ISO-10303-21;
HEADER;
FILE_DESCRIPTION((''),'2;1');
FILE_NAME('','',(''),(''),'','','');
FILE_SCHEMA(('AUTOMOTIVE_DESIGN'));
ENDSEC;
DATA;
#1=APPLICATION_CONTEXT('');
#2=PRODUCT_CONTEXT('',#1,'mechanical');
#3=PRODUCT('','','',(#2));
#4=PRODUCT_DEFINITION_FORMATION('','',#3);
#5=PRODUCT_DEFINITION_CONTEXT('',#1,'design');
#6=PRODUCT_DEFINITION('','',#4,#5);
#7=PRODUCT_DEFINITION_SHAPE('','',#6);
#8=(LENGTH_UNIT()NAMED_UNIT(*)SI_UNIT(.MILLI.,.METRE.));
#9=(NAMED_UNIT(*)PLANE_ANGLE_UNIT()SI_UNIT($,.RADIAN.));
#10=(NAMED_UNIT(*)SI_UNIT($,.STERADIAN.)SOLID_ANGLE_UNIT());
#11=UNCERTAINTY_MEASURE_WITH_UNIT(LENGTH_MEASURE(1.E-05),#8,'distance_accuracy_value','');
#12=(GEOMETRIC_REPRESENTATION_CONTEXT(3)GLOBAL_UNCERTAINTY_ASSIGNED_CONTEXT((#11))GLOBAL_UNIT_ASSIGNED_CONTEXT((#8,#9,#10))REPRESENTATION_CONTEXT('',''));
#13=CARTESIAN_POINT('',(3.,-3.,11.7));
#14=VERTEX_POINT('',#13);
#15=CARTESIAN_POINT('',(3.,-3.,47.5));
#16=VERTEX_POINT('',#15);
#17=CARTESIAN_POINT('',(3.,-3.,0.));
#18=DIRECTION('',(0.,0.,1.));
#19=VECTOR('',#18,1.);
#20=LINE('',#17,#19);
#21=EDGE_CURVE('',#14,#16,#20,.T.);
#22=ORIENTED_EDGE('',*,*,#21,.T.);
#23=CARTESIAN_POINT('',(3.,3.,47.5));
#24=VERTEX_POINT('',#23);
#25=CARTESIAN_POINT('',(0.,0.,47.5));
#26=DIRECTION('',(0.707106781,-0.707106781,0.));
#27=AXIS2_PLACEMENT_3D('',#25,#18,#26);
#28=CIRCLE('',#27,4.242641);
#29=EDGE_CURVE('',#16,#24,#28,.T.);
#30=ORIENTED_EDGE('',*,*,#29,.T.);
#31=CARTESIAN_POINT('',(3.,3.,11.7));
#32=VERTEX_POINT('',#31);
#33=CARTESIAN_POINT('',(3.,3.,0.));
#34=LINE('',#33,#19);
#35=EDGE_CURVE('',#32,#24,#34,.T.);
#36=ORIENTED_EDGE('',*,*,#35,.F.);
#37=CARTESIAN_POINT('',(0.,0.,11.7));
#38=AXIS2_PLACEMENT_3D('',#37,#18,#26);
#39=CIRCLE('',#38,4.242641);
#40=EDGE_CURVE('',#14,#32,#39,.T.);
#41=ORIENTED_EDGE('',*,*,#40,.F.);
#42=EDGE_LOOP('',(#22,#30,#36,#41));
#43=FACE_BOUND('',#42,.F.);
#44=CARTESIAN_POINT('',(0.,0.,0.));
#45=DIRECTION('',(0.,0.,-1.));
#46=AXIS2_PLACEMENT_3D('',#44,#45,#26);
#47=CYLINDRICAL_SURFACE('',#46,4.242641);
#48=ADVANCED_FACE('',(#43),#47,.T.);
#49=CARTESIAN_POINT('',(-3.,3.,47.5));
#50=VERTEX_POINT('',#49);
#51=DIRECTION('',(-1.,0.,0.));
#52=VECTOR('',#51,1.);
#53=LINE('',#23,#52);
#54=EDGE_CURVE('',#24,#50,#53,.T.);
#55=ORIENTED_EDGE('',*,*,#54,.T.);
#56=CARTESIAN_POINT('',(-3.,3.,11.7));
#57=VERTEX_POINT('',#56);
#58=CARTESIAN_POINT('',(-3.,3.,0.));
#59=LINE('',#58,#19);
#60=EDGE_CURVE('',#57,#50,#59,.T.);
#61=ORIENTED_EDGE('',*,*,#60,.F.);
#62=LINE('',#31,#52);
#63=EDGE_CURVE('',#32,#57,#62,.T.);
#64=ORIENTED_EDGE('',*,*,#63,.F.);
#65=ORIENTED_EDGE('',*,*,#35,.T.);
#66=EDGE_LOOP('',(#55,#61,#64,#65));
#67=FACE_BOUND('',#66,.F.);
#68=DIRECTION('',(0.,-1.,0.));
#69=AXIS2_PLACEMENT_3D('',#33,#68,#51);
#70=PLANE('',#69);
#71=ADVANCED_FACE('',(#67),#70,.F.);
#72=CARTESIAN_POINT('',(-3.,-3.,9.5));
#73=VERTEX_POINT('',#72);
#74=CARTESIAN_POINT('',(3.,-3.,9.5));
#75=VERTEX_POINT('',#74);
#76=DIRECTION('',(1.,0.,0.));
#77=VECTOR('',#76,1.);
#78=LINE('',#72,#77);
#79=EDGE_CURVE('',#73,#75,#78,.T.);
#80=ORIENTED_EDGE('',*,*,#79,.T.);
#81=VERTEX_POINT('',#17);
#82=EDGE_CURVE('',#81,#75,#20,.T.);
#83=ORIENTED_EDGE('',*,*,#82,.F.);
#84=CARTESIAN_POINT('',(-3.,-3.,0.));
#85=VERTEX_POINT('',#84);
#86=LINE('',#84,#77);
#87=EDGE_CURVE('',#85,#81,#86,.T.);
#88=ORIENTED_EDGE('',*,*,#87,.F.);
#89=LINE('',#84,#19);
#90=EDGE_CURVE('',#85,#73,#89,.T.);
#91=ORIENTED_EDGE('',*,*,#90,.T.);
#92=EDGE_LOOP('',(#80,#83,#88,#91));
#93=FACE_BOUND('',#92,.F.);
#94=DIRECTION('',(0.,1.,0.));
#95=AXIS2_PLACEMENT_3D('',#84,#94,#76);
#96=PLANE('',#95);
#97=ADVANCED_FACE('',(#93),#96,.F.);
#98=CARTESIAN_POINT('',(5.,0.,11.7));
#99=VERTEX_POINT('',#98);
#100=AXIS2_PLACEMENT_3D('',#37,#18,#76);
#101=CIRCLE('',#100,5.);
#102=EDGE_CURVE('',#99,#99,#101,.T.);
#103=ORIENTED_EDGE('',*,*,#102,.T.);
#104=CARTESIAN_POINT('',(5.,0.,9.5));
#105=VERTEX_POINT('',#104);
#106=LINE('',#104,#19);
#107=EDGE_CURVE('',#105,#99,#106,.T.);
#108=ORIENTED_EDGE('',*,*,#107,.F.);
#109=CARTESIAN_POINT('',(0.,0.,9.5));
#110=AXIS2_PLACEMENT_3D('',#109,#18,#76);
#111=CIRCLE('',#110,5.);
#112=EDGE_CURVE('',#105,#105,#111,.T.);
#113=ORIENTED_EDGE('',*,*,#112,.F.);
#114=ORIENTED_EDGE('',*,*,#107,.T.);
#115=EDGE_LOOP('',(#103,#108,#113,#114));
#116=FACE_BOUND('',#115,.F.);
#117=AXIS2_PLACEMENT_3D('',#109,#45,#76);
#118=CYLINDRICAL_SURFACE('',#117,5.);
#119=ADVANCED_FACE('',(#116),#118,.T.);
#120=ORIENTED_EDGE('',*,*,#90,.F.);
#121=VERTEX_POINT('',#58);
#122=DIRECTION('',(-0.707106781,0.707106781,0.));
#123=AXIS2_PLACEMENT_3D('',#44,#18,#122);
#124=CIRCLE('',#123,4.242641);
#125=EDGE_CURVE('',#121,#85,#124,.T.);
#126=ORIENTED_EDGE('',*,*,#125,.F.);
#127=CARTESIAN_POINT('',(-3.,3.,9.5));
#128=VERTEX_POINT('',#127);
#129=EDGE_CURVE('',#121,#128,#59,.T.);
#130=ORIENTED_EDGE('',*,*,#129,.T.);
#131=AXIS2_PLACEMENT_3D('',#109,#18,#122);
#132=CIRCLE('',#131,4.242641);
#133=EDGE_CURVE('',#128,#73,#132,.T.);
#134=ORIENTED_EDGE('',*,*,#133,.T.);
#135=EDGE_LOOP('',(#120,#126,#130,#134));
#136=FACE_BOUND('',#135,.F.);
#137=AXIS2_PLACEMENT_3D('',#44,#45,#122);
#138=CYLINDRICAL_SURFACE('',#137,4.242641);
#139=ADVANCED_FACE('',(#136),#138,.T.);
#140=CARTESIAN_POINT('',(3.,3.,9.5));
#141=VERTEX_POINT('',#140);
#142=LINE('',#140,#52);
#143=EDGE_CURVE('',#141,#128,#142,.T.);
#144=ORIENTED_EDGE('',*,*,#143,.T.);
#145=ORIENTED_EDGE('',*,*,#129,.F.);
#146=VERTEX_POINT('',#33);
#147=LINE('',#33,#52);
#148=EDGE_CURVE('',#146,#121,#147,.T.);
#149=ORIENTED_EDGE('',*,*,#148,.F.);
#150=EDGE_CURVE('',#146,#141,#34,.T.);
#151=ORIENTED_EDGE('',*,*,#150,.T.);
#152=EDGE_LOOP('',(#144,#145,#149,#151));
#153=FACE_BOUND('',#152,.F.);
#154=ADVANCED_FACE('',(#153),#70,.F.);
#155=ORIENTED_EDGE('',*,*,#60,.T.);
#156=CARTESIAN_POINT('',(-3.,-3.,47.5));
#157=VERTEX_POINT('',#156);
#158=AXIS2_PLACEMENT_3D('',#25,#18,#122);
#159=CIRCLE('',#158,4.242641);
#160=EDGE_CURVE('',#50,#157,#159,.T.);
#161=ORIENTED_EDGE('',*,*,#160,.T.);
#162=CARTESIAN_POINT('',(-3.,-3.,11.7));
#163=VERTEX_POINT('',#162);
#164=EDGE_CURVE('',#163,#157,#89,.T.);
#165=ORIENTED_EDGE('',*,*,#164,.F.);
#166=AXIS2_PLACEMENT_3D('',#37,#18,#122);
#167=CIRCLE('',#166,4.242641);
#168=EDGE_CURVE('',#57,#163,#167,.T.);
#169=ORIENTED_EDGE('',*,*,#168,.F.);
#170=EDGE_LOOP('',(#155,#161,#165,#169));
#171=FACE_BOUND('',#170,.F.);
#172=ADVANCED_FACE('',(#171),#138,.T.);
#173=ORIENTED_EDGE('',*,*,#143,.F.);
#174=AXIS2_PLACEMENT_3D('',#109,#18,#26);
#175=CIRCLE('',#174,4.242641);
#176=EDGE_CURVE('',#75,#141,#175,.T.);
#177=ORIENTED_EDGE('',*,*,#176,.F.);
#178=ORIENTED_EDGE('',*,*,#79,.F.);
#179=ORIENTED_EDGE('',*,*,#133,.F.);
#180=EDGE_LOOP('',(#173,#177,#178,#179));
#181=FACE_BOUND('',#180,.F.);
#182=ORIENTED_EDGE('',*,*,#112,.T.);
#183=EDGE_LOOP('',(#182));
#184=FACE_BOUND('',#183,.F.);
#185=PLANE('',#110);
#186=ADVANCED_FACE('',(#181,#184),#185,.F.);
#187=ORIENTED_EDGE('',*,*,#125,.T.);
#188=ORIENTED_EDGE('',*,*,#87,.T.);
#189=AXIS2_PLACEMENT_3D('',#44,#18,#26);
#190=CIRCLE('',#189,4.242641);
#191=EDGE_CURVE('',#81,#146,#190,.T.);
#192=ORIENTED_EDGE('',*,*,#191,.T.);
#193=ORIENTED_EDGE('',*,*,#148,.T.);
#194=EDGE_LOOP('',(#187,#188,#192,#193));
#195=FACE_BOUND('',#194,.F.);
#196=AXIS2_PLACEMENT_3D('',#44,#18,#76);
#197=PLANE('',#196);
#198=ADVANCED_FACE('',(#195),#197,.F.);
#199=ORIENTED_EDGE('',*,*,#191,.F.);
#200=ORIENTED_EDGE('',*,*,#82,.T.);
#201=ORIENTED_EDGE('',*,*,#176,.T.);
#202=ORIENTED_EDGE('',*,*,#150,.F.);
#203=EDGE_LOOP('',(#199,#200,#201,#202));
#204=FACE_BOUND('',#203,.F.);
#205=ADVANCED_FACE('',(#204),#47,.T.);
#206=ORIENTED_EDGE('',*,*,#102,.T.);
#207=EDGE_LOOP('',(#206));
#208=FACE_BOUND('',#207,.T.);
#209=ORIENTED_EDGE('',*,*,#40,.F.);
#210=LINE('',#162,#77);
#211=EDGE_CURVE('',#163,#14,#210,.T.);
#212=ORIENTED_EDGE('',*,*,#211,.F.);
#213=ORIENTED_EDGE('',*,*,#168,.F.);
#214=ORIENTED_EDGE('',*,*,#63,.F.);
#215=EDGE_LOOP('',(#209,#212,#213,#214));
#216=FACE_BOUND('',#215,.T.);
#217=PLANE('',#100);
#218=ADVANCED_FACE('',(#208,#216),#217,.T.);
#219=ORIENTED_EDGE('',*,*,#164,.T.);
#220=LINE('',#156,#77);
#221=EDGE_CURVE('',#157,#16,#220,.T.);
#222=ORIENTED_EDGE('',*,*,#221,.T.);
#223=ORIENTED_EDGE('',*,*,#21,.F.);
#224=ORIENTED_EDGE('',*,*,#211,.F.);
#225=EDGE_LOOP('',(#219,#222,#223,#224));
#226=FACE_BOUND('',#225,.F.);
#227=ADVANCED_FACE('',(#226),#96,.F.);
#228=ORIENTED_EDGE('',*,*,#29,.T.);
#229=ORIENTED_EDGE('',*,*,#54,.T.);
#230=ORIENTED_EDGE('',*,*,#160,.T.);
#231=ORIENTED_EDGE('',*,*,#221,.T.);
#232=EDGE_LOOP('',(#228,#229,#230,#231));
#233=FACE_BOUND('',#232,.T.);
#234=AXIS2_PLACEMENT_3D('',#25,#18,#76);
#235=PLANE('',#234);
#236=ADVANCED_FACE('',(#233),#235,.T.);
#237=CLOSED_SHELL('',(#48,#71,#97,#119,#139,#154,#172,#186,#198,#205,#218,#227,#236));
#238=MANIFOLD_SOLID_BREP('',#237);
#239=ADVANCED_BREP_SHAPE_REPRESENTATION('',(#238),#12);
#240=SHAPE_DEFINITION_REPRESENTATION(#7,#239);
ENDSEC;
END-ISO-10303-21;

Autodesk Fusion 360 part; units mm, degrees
sketch "Wheel_Ax_Sketch" plane through (0, 0, 0) normal (0, 0, 1) x (1, 0, 0)
  arc A0 (-3, 3) -> (-3, -3) centre (0, 0) ccw
  arc A1 (-3, 3) -> (-3, -3) centre (0, 0) ccw
  line L0 (-3, -3) -> (3, -3)
  arc A2 (3, -3) -> (3, 3) centre (0, 0) ccw
  line L1 (3, 3) -> (-3, 3)
  circle A3 centre (0, 0) radius 5
  dimension "d1" = 10
extrude "Extrude1" add sketch "Wheel_Ax_Sketch" along normal blind 47.5 contours A0 A1 L0 A2 L1
extrude "Extrude2" add sketch "Wheel_Ax_Sketch" along normal blind 2.2 from surface at 9.5
